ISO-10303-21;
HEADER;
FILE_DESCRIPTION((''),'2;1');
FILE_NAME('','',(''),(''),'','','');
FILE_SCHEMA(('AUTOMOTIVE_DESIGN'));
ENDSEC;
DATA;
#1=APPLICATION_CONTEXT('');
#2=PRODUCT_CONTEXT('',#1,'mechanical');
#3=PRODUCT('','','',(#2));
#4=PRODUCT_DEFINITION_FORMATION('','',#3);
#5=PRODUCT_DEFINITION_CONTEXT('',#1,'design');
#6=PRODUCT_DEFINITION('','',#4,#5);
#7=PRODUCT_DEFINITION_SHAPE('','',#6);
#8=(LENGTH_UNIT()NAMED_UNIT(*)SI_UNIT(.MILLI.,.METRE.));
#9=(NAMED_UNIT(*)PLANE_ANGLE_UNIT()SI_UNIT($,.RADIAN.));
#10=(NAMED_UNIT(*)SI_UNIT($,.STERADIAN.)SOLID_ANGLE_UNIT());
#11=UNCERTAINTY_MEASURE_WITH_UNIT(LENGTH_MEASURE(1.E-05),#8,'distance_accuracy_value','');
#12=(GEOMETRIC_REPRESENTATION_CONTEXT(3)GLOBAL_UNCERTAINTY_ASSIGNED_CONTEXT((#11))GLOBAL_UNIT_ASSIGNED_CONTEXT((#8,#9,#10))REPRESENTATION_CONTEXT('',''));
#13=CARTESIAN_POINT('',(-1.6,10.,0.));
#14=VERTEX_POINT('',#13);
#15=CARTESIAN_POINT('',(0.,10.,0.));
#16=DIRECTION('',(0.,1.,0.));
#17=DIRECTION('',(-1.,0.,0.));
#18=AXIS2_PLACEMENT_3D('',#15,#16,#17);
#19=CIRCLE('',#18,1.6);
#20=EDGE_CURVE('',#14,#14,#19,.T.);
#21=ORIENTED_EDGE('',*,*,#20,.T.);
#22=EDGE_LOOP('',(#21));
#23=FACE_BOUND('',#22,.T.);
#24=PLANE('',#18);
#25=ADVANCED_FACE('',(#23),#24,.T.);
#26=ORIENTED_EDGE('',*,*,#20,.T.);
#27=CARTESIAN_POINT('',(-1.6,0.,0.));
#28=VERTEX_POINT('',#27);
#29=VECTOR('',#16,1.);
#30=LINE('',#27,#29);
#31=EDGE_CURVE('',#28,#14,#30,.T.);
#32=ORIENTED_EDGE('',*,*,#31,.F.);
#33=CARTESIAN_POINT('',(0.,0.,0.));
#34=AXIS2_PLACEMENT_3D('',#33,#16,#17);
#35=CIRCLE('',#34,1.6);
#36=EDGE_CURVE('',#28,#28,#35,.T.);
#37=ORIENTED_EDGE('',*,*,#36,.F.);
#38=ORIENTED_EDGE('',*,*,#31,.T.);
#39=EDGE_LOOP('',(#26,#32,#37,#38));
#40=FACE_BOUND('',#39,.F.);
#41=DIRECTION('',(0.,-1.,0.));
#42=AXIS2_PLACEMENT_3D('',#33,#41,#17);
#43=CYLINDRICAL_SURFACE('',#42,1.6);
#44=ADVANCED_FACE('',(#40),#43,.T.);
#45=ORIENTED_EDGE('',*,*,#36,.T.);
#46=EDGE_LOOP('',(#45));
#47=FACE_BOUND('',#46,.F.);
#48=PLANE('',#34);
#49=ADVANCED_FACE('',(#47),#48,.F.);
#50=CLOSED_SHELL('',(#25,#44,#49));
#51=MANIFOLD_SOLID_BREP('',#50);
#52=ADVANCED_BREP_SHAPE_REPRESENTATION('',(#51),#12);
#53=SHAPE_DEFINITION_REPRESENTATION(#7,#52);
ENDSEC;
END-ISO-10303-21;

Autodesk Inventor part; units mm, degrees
ref_plane "YZ Plane" through (0, 0, 0) normal (1, 0, 0) x (0, 1, 0)
ref_plane "XZ Plane" through (0, 0, 0) normal (0, 1, 0) x (-1, 0, 0)
ref_plane "XY Plane" through (0, 0, 0) normal (0, 0, 1) x (1, 0, 0)
sketch "Sketch1" plane through (0, 0, 0) normal (0, 1, 0) x (-1, 0, 0)
  circle A0 centre (0, 0) radius 1.6
  dimension "d0" = 3.2
extrude "Extrusion1" add sketch "Sketch1" along normal blind 10
properties part number "MountPin_test"
